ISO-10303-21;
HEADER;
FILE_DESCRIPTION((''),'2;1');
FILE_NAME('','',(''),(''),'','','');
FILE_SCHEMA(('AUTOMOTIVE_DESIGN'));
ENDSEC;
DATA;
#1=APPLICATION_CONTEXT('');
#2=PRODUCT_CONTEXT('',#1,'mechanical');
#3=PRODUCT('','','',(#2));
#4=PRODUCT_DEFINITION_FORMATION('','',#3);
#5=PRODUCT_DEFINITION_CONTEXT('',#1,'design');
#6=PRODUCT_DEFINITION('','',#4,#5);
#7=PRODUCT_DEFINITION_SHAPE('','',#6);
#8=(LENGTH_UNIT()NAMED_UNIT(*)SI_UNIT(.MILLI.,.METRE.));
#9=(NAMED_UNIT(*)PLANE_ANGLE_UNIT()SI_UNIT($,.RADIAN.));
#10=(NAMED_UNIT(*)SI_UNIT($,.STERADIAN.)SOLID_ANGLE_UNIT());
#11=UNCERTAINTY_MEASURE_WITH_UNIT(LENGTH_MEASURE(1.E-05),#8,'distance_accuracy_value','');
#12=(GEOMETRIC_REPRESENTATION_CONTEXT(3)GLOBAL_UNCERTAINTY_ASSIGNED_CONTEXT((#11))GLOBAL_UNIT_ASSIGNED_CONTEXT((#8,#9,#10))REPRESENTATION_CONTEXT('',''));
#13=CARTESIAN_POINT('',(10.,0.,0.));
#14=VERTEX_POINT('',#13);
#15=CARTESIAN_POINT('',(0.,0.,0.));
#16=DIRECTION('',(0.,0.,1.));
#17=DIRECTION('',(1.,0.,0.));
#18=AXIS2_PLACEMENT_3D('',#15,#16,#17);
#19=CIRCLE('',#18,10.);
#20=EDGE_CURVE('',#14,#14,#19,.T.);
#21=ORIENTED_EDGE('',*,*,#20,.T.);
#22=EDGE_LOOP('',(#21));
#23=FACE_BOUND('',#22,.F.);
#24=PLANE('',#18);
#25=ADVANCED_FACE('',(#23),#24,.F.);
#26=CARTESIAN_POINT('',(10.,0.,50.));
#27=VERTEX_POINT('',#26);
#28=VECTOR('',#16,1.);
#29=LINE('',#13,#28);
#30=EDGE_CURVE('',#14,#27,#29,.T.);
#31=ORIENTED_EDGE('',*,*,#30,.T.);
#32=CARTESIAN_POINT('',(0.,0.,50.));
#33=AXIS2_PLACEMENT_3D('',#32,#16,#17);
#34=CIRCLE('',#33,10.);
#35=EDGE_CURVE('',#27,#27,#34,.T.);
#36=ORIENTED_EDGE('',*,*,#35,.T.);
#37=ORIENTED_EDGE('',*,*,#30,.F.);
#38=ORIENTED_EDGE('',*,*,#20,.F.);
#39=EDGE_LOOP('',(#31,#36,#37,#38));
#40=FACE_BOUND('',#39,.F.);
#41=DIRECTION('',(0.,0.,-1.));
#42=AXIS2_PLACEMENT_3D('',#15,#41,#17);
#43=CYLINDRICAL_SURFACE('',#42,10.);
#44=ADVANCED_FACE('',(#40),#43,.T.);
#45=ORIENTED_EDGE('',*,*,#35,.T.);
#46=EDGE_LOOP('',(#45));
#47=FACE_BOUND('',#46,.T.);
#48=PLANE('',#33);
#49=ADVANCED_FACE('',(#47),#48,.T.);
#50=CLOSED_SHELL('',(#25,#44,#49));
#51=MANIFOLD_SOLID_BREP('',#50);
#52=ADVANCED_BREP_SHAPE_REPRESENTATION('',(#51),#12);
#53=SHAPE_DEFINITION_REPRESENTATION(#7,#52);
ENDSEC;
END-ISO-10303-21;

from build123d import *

# Parameters (mm, degrees)
CIRCLE_R  = 10
PAD_DEPTH = 50


with BuildPart() as part:
    # Circle → Pad (new body)
    with BuildSketch(Plane.XY):
        Circle(CIRCLE_R)
    extrude(amount=PAD_DEPTH)


solid = part.part
